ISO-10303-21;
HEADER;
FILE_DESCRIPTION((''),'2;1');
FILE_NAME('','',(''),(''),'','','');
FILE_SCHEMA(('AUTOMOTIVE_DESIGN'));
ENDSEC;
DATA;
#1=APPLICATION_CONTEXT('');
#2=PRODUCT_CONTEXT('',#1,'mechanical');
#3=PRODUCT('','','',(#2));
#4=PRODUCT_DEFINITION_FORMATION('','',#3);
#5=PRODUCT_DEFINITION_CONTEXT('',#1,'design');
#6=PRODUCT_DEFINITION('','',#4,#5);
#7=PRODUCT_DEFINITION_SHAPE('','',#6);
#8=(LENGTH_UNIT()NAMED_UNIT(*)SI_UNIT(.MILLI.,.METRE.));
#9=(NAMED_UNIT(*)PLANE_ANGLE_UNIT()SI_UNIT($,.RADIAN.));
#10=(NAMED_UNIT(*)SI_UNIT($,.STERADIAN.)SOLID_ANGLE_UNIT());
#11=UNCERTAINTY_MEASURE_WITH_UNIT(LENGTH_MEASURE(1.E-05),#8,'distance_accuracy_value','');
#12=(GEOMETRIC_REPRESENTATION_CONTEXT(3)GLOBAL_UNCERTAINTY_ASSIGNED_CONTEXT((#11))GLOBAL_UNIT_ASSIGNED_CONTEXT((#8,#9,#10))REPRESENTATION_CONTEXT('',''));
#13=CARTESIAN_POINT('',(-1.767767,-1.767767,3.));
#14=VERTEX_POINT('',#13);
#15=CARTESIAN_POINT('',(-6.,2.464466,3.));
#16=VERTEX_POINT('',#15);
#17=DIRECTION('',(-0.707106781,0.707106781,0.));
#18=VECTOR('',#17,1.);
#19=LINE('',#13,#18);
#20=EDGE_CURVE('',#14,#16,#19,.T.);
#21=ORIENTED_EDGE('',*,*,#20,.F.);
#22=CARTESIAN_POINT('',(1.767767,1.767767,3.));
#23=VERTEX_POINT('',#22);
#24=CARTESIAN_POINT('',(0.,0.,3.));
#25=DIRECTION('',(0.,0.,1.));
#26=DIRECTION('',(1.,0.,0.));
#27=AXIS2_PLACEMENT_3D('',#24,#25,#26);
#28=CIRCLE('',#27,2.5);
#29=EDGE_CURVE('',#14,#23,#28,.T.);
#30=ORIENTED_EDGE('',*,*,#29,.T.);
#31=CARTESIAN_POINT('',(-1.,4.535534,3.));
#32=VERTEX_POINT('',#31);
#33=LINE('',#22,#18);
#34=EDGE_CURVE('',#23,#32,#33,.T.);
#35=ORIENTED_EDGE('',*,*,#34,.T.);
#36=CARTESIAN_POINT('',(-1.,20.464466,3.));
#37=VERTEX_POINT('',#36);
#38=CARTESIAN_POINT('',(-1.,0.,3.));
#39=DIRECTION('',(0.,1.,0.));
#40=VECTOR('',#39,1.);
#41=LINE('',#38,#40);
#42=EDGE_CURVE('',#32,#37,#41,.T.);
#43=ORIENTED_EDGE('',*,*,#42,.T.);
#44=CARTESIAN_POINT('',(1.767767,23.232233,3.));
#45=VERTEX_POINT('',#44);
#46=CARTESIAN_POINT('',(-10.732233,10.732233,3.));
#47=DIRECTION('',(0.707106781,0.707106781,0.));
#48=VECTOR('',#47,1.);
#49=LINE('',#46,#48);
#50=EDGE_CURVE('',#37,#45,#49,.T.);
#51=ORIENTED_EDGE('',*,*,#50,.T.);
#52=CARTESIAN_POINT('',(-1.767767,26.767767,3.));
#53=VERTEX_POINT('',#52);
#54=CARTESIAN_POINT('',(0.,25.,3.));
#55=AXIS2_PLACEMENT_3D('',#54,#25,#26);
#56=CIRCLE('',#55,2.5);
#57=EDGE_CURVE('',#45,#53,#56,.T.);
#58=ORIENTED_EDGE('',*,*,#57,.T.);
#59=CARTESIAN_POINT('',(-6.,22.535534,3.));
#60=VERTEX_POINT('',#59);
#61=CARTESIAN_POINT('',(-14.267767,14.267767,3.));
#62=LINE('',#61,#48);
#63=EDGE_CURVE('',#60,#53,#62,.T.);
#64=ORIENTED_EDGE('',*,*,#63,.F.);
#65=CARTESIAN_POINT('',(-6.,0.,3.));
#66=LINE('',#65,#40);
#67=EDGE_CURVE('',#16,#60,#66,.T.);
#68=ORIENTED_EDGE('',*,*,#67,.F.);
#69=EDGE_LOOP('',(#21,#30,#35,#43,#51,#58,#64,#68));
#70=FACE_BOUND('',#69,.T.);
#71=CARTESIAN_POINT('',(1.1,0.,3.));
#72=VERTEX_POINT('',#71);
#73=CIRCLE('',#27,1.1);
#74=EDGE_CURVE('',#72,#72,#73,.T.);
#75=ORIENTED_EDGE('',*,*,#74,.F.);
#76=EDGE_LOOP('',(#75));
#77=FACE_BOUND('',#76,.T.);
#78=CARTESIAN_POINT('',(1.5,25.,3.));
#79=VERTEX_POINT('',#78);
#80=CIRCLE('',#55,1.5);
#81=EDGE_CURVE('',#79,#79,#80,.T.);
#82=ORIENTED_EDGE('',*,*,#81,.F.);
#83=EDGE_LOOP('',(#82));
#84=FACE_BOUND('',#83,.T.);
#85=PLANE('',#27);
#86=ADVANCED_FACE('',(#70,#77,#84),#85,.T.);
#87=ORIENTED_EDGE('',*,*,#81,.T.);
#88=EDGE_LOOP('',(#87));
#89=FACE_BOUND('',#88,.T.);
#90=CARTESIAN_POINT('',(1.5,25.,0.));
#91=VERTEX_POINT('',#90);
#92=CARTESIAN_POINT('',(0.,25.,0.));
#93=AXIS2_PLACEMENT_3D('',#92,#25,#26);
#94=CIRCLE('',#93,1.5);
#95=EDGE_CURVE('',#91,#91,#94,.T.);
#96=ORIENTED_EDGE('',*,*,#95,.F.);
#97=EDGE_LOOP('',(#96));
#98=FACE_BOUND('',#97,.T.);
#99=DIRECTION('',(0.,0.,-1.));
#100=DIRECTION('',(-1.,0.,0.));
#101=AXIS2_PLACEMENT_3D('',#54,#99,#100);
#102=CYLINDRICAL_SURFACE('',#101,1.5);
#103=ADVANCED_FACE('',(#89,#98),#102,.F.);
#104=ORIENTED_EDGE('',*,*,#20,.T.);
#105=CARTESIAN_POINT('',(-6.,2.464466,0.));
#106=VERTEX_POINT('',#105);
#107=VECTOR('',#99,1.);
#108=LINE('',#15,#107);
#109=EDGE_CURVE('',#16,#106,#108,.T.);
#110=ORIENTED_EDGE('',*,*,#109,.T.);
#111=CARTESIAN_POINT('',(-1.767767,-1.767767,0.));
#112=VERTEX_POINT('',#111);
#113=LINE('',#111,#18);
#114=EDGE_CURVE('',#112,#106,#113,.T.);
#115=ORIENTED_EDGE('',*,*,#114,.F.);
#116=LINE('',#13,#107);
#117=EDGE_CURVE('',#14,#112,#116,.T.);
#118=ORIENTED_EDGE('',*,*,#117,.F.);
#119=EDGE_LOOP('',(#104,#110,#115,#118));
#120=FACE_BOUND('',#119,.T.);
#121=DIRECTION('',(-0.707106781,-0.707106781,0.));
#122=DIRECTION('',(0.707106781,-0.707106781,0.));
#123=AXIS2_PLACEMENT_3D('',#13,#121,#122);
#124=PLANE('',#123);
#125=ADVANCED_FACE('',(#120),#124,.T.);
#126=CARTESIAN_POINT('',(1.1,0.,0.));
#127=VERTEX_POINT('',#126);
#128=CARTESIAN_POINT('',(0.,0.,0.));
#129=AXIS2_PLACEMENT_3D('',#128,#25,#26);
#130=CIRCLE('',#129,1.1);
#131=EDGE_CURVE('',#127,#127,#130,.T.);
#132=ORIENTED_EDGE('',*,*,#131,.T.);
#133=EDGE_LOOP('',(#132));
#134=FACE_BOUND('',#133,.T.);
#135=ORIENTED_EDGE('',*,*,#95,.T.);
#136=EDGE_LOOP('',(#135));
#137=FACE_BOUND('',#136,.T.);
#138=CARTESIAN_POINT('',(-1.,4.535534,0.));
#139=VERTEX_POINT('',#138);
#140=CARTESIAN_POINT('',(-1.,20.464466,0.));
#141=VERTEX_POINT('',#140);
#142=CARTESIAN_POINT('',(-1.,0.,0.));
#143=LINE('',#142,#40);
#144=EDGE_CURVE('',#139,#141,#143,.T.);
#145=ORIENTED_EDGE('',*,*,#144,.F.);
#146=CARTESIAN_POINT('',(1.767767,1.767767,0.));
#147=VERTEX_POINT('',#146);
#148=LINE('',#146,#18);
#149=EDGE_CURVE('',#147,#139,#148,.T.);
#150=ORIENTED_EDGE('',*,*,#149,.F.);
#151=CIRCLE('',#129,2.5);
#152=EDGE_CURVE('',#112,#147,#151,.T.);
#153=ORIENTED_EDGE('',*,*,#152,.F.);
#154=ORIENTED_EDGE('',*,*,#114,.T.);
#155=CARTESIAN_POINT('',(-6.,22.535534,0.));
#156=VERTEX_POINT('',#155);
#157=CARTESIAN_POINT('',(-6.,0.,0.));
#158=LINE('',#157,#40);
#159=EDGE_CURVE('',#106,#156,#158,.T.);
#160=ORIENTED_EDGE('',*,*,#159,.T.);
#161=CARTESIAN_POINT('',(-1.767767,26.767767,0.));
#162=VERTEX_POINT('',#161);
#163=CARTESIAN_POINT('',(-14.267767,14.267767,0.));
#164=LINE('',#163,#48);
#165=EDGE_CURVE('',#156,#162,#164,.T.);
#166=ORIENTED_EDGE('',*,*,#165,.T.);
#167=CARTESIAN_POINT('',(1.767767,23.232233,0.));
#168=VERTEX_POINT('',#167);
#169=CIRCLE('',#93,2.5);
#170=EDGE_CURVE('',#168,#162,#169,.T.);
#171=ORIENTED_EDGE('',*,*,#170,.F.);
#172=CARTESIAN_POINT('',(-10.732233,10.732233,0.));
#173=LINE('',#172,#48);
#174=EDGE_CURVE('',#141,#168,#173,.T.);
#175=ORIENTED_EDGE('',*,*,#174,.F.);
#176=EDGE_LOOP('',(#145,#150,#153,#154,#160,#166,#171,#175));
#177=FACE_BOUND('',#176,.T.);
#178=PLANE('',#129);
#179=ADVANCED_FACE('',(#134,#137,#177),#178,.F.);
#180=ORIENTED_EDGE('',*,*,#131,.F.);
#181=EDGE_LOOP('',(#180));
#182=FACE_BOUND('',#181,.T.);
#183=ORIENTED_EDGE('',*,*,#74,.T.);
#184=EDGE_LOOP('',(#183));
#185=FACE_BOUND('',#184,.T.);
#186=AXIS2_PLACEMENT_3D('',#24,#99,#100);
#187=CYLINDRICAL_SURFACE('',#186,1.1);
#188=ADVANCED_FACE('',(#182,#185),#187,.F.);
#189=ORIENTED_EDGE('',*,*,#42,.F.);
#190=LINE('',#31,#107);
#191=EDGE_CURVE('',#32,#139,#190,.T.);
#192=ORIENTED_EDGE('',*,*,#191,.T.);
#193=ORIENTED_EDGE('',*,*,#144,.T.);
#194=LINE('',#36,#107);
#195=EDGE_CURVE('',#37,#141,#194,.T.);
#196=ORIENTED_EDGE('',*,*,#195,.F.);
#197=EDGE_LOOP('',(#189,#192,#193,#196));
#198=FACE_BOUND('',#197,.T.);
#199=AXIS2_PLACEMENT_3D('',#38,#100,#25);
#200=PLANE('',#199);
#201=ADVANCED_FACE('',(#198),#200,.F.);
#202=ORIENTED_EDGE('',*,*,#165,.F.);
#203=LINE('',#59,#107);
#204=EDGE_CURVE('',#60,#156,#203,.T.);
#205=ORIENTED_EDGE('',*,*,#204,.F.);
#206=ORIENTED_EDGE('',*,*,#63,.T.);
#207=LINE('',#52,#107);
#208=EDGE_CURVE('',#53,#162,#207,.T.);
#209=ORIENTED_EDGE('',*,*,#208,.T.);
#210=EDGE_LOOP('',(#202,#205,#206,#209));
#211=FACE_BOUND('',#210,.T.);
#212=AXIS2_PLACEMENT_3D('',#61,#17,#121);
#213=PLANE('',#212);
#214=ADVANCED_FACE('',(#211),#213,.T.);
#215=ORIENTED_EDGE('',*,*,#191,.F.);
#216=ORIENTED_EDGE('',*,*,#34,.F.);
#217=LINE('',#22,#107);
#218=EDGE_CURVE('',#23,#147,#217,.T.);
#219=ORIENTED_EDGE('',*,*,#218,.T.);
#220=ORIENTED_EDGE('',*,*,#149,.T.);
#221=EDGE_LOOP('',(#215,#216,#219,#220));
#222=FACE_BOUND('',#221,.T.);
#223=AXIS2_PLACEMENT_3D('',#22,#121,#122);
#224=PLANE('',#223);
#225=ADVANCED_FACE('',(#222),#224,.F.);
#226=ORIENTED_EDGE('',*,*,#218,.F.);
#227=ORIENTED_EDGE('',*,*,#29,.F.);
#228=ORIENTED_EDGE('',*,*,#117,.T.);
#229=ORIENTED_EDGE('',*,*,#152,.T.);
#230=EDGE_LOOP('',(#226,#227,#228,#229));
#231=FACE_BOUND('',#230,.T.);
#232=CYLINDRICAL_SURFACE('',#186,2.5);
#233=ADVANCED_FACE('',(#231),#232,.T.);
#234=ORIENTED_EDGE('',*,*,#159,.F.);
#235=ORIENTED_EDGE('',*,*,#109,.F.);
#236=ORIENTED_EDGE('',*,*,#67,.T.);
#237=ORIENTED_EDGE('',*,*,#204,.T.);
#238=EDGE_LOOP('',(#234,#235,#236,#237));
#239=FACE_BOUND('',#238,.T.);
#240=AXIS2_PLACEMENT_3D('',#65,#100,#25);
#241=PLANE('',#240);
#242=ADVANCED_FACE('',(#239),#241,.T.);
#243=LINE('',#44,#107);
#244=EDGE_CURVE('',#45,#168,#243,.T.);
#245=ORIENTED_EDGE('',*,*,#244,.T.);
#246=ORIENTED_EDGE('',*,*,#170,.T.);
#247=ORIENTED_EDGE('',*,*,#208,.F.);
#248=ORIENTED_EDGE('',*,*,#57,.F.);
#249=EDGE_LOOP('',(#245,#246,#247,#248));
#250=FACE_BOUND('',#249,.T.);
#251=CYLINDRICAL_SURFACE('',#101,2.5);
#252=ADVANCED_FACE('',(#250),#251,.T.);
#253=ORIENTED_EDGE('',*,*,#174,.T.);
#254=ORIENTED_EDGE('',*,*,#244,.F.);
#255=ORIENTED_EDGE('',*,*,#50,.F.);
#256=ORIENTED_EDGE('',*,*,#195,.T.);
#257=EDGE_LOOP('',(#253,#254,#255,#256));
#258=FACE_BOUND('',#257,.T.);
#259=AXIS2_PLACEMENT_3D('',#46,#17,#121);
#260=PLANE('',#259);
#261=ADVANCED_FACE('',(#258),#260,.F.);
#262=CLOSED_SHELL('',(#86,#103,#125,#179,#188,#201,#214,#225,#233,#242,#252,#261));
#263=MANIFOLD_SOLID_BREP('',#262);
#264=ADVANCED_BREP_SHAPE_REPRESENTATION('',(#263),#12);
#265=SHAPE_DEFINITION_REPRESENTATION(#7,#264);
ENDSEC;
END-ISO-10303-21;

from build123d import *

# Parameters (mm, degrees)
CROQUIS1_R              = 2.5
CROQUIS1_R_2            = 1.5
CROQUIS1_R_3            = 1.1
SALIENTE_EXTRUIR1_DEPTH = 3


with BuildPart() as part:
    # Croquis1 → Saliente-Extruir1 (new body)
    # profile 1 of 3: a face of its own
    with BuildSketch(Plane.XY):
        with BuildLine():
            ThreePointArc((-1.767766953, -1.767766953), (-1.767766953, 1.767766953), (1.767766953, 1.767766953))
            Line((1.767766953, 1.767766953), (-1, 4.535533906))
            Line((-1, 4.535533906), (-1, 20.464466094))
            Line((-1, 20.464466094), (1.767766953, 23.232233047))
            ThreePointArc((1.767766953, 23.232233047), (-1.767766953, 23.232233047), (-1.767766953, 26.767766953))
            Line((-1.767766953, 26.767766953), (-6, 22.535533906))
            Line((-6, 22.535533906), (-6, 2.464466094))
            Line((-6, 2.464466094), (-1.767766953, -1.767766953))
        make_face()
    # profile 2 of 3: a face of its own
    with BuildSketch(Plane.XY):
        with Locations((0, 25)):
            Circle(CROQUIS1_R)
        with Locations((0, 25)):
            Circle(CROQUIS1_R_2, mode=Mode.SUBTRACT)
    # profile 3 of 3: a face of its own
    with BuildSketch(Plane.XY):
        Circle(CROQUIS1_R)
        Circle(CROQUIS1_R_3, mode=Mode.SUBTRACT)
    extrude(amount=SALIENTE_EXTRUIR1_DEPTH)


solid = part.part
